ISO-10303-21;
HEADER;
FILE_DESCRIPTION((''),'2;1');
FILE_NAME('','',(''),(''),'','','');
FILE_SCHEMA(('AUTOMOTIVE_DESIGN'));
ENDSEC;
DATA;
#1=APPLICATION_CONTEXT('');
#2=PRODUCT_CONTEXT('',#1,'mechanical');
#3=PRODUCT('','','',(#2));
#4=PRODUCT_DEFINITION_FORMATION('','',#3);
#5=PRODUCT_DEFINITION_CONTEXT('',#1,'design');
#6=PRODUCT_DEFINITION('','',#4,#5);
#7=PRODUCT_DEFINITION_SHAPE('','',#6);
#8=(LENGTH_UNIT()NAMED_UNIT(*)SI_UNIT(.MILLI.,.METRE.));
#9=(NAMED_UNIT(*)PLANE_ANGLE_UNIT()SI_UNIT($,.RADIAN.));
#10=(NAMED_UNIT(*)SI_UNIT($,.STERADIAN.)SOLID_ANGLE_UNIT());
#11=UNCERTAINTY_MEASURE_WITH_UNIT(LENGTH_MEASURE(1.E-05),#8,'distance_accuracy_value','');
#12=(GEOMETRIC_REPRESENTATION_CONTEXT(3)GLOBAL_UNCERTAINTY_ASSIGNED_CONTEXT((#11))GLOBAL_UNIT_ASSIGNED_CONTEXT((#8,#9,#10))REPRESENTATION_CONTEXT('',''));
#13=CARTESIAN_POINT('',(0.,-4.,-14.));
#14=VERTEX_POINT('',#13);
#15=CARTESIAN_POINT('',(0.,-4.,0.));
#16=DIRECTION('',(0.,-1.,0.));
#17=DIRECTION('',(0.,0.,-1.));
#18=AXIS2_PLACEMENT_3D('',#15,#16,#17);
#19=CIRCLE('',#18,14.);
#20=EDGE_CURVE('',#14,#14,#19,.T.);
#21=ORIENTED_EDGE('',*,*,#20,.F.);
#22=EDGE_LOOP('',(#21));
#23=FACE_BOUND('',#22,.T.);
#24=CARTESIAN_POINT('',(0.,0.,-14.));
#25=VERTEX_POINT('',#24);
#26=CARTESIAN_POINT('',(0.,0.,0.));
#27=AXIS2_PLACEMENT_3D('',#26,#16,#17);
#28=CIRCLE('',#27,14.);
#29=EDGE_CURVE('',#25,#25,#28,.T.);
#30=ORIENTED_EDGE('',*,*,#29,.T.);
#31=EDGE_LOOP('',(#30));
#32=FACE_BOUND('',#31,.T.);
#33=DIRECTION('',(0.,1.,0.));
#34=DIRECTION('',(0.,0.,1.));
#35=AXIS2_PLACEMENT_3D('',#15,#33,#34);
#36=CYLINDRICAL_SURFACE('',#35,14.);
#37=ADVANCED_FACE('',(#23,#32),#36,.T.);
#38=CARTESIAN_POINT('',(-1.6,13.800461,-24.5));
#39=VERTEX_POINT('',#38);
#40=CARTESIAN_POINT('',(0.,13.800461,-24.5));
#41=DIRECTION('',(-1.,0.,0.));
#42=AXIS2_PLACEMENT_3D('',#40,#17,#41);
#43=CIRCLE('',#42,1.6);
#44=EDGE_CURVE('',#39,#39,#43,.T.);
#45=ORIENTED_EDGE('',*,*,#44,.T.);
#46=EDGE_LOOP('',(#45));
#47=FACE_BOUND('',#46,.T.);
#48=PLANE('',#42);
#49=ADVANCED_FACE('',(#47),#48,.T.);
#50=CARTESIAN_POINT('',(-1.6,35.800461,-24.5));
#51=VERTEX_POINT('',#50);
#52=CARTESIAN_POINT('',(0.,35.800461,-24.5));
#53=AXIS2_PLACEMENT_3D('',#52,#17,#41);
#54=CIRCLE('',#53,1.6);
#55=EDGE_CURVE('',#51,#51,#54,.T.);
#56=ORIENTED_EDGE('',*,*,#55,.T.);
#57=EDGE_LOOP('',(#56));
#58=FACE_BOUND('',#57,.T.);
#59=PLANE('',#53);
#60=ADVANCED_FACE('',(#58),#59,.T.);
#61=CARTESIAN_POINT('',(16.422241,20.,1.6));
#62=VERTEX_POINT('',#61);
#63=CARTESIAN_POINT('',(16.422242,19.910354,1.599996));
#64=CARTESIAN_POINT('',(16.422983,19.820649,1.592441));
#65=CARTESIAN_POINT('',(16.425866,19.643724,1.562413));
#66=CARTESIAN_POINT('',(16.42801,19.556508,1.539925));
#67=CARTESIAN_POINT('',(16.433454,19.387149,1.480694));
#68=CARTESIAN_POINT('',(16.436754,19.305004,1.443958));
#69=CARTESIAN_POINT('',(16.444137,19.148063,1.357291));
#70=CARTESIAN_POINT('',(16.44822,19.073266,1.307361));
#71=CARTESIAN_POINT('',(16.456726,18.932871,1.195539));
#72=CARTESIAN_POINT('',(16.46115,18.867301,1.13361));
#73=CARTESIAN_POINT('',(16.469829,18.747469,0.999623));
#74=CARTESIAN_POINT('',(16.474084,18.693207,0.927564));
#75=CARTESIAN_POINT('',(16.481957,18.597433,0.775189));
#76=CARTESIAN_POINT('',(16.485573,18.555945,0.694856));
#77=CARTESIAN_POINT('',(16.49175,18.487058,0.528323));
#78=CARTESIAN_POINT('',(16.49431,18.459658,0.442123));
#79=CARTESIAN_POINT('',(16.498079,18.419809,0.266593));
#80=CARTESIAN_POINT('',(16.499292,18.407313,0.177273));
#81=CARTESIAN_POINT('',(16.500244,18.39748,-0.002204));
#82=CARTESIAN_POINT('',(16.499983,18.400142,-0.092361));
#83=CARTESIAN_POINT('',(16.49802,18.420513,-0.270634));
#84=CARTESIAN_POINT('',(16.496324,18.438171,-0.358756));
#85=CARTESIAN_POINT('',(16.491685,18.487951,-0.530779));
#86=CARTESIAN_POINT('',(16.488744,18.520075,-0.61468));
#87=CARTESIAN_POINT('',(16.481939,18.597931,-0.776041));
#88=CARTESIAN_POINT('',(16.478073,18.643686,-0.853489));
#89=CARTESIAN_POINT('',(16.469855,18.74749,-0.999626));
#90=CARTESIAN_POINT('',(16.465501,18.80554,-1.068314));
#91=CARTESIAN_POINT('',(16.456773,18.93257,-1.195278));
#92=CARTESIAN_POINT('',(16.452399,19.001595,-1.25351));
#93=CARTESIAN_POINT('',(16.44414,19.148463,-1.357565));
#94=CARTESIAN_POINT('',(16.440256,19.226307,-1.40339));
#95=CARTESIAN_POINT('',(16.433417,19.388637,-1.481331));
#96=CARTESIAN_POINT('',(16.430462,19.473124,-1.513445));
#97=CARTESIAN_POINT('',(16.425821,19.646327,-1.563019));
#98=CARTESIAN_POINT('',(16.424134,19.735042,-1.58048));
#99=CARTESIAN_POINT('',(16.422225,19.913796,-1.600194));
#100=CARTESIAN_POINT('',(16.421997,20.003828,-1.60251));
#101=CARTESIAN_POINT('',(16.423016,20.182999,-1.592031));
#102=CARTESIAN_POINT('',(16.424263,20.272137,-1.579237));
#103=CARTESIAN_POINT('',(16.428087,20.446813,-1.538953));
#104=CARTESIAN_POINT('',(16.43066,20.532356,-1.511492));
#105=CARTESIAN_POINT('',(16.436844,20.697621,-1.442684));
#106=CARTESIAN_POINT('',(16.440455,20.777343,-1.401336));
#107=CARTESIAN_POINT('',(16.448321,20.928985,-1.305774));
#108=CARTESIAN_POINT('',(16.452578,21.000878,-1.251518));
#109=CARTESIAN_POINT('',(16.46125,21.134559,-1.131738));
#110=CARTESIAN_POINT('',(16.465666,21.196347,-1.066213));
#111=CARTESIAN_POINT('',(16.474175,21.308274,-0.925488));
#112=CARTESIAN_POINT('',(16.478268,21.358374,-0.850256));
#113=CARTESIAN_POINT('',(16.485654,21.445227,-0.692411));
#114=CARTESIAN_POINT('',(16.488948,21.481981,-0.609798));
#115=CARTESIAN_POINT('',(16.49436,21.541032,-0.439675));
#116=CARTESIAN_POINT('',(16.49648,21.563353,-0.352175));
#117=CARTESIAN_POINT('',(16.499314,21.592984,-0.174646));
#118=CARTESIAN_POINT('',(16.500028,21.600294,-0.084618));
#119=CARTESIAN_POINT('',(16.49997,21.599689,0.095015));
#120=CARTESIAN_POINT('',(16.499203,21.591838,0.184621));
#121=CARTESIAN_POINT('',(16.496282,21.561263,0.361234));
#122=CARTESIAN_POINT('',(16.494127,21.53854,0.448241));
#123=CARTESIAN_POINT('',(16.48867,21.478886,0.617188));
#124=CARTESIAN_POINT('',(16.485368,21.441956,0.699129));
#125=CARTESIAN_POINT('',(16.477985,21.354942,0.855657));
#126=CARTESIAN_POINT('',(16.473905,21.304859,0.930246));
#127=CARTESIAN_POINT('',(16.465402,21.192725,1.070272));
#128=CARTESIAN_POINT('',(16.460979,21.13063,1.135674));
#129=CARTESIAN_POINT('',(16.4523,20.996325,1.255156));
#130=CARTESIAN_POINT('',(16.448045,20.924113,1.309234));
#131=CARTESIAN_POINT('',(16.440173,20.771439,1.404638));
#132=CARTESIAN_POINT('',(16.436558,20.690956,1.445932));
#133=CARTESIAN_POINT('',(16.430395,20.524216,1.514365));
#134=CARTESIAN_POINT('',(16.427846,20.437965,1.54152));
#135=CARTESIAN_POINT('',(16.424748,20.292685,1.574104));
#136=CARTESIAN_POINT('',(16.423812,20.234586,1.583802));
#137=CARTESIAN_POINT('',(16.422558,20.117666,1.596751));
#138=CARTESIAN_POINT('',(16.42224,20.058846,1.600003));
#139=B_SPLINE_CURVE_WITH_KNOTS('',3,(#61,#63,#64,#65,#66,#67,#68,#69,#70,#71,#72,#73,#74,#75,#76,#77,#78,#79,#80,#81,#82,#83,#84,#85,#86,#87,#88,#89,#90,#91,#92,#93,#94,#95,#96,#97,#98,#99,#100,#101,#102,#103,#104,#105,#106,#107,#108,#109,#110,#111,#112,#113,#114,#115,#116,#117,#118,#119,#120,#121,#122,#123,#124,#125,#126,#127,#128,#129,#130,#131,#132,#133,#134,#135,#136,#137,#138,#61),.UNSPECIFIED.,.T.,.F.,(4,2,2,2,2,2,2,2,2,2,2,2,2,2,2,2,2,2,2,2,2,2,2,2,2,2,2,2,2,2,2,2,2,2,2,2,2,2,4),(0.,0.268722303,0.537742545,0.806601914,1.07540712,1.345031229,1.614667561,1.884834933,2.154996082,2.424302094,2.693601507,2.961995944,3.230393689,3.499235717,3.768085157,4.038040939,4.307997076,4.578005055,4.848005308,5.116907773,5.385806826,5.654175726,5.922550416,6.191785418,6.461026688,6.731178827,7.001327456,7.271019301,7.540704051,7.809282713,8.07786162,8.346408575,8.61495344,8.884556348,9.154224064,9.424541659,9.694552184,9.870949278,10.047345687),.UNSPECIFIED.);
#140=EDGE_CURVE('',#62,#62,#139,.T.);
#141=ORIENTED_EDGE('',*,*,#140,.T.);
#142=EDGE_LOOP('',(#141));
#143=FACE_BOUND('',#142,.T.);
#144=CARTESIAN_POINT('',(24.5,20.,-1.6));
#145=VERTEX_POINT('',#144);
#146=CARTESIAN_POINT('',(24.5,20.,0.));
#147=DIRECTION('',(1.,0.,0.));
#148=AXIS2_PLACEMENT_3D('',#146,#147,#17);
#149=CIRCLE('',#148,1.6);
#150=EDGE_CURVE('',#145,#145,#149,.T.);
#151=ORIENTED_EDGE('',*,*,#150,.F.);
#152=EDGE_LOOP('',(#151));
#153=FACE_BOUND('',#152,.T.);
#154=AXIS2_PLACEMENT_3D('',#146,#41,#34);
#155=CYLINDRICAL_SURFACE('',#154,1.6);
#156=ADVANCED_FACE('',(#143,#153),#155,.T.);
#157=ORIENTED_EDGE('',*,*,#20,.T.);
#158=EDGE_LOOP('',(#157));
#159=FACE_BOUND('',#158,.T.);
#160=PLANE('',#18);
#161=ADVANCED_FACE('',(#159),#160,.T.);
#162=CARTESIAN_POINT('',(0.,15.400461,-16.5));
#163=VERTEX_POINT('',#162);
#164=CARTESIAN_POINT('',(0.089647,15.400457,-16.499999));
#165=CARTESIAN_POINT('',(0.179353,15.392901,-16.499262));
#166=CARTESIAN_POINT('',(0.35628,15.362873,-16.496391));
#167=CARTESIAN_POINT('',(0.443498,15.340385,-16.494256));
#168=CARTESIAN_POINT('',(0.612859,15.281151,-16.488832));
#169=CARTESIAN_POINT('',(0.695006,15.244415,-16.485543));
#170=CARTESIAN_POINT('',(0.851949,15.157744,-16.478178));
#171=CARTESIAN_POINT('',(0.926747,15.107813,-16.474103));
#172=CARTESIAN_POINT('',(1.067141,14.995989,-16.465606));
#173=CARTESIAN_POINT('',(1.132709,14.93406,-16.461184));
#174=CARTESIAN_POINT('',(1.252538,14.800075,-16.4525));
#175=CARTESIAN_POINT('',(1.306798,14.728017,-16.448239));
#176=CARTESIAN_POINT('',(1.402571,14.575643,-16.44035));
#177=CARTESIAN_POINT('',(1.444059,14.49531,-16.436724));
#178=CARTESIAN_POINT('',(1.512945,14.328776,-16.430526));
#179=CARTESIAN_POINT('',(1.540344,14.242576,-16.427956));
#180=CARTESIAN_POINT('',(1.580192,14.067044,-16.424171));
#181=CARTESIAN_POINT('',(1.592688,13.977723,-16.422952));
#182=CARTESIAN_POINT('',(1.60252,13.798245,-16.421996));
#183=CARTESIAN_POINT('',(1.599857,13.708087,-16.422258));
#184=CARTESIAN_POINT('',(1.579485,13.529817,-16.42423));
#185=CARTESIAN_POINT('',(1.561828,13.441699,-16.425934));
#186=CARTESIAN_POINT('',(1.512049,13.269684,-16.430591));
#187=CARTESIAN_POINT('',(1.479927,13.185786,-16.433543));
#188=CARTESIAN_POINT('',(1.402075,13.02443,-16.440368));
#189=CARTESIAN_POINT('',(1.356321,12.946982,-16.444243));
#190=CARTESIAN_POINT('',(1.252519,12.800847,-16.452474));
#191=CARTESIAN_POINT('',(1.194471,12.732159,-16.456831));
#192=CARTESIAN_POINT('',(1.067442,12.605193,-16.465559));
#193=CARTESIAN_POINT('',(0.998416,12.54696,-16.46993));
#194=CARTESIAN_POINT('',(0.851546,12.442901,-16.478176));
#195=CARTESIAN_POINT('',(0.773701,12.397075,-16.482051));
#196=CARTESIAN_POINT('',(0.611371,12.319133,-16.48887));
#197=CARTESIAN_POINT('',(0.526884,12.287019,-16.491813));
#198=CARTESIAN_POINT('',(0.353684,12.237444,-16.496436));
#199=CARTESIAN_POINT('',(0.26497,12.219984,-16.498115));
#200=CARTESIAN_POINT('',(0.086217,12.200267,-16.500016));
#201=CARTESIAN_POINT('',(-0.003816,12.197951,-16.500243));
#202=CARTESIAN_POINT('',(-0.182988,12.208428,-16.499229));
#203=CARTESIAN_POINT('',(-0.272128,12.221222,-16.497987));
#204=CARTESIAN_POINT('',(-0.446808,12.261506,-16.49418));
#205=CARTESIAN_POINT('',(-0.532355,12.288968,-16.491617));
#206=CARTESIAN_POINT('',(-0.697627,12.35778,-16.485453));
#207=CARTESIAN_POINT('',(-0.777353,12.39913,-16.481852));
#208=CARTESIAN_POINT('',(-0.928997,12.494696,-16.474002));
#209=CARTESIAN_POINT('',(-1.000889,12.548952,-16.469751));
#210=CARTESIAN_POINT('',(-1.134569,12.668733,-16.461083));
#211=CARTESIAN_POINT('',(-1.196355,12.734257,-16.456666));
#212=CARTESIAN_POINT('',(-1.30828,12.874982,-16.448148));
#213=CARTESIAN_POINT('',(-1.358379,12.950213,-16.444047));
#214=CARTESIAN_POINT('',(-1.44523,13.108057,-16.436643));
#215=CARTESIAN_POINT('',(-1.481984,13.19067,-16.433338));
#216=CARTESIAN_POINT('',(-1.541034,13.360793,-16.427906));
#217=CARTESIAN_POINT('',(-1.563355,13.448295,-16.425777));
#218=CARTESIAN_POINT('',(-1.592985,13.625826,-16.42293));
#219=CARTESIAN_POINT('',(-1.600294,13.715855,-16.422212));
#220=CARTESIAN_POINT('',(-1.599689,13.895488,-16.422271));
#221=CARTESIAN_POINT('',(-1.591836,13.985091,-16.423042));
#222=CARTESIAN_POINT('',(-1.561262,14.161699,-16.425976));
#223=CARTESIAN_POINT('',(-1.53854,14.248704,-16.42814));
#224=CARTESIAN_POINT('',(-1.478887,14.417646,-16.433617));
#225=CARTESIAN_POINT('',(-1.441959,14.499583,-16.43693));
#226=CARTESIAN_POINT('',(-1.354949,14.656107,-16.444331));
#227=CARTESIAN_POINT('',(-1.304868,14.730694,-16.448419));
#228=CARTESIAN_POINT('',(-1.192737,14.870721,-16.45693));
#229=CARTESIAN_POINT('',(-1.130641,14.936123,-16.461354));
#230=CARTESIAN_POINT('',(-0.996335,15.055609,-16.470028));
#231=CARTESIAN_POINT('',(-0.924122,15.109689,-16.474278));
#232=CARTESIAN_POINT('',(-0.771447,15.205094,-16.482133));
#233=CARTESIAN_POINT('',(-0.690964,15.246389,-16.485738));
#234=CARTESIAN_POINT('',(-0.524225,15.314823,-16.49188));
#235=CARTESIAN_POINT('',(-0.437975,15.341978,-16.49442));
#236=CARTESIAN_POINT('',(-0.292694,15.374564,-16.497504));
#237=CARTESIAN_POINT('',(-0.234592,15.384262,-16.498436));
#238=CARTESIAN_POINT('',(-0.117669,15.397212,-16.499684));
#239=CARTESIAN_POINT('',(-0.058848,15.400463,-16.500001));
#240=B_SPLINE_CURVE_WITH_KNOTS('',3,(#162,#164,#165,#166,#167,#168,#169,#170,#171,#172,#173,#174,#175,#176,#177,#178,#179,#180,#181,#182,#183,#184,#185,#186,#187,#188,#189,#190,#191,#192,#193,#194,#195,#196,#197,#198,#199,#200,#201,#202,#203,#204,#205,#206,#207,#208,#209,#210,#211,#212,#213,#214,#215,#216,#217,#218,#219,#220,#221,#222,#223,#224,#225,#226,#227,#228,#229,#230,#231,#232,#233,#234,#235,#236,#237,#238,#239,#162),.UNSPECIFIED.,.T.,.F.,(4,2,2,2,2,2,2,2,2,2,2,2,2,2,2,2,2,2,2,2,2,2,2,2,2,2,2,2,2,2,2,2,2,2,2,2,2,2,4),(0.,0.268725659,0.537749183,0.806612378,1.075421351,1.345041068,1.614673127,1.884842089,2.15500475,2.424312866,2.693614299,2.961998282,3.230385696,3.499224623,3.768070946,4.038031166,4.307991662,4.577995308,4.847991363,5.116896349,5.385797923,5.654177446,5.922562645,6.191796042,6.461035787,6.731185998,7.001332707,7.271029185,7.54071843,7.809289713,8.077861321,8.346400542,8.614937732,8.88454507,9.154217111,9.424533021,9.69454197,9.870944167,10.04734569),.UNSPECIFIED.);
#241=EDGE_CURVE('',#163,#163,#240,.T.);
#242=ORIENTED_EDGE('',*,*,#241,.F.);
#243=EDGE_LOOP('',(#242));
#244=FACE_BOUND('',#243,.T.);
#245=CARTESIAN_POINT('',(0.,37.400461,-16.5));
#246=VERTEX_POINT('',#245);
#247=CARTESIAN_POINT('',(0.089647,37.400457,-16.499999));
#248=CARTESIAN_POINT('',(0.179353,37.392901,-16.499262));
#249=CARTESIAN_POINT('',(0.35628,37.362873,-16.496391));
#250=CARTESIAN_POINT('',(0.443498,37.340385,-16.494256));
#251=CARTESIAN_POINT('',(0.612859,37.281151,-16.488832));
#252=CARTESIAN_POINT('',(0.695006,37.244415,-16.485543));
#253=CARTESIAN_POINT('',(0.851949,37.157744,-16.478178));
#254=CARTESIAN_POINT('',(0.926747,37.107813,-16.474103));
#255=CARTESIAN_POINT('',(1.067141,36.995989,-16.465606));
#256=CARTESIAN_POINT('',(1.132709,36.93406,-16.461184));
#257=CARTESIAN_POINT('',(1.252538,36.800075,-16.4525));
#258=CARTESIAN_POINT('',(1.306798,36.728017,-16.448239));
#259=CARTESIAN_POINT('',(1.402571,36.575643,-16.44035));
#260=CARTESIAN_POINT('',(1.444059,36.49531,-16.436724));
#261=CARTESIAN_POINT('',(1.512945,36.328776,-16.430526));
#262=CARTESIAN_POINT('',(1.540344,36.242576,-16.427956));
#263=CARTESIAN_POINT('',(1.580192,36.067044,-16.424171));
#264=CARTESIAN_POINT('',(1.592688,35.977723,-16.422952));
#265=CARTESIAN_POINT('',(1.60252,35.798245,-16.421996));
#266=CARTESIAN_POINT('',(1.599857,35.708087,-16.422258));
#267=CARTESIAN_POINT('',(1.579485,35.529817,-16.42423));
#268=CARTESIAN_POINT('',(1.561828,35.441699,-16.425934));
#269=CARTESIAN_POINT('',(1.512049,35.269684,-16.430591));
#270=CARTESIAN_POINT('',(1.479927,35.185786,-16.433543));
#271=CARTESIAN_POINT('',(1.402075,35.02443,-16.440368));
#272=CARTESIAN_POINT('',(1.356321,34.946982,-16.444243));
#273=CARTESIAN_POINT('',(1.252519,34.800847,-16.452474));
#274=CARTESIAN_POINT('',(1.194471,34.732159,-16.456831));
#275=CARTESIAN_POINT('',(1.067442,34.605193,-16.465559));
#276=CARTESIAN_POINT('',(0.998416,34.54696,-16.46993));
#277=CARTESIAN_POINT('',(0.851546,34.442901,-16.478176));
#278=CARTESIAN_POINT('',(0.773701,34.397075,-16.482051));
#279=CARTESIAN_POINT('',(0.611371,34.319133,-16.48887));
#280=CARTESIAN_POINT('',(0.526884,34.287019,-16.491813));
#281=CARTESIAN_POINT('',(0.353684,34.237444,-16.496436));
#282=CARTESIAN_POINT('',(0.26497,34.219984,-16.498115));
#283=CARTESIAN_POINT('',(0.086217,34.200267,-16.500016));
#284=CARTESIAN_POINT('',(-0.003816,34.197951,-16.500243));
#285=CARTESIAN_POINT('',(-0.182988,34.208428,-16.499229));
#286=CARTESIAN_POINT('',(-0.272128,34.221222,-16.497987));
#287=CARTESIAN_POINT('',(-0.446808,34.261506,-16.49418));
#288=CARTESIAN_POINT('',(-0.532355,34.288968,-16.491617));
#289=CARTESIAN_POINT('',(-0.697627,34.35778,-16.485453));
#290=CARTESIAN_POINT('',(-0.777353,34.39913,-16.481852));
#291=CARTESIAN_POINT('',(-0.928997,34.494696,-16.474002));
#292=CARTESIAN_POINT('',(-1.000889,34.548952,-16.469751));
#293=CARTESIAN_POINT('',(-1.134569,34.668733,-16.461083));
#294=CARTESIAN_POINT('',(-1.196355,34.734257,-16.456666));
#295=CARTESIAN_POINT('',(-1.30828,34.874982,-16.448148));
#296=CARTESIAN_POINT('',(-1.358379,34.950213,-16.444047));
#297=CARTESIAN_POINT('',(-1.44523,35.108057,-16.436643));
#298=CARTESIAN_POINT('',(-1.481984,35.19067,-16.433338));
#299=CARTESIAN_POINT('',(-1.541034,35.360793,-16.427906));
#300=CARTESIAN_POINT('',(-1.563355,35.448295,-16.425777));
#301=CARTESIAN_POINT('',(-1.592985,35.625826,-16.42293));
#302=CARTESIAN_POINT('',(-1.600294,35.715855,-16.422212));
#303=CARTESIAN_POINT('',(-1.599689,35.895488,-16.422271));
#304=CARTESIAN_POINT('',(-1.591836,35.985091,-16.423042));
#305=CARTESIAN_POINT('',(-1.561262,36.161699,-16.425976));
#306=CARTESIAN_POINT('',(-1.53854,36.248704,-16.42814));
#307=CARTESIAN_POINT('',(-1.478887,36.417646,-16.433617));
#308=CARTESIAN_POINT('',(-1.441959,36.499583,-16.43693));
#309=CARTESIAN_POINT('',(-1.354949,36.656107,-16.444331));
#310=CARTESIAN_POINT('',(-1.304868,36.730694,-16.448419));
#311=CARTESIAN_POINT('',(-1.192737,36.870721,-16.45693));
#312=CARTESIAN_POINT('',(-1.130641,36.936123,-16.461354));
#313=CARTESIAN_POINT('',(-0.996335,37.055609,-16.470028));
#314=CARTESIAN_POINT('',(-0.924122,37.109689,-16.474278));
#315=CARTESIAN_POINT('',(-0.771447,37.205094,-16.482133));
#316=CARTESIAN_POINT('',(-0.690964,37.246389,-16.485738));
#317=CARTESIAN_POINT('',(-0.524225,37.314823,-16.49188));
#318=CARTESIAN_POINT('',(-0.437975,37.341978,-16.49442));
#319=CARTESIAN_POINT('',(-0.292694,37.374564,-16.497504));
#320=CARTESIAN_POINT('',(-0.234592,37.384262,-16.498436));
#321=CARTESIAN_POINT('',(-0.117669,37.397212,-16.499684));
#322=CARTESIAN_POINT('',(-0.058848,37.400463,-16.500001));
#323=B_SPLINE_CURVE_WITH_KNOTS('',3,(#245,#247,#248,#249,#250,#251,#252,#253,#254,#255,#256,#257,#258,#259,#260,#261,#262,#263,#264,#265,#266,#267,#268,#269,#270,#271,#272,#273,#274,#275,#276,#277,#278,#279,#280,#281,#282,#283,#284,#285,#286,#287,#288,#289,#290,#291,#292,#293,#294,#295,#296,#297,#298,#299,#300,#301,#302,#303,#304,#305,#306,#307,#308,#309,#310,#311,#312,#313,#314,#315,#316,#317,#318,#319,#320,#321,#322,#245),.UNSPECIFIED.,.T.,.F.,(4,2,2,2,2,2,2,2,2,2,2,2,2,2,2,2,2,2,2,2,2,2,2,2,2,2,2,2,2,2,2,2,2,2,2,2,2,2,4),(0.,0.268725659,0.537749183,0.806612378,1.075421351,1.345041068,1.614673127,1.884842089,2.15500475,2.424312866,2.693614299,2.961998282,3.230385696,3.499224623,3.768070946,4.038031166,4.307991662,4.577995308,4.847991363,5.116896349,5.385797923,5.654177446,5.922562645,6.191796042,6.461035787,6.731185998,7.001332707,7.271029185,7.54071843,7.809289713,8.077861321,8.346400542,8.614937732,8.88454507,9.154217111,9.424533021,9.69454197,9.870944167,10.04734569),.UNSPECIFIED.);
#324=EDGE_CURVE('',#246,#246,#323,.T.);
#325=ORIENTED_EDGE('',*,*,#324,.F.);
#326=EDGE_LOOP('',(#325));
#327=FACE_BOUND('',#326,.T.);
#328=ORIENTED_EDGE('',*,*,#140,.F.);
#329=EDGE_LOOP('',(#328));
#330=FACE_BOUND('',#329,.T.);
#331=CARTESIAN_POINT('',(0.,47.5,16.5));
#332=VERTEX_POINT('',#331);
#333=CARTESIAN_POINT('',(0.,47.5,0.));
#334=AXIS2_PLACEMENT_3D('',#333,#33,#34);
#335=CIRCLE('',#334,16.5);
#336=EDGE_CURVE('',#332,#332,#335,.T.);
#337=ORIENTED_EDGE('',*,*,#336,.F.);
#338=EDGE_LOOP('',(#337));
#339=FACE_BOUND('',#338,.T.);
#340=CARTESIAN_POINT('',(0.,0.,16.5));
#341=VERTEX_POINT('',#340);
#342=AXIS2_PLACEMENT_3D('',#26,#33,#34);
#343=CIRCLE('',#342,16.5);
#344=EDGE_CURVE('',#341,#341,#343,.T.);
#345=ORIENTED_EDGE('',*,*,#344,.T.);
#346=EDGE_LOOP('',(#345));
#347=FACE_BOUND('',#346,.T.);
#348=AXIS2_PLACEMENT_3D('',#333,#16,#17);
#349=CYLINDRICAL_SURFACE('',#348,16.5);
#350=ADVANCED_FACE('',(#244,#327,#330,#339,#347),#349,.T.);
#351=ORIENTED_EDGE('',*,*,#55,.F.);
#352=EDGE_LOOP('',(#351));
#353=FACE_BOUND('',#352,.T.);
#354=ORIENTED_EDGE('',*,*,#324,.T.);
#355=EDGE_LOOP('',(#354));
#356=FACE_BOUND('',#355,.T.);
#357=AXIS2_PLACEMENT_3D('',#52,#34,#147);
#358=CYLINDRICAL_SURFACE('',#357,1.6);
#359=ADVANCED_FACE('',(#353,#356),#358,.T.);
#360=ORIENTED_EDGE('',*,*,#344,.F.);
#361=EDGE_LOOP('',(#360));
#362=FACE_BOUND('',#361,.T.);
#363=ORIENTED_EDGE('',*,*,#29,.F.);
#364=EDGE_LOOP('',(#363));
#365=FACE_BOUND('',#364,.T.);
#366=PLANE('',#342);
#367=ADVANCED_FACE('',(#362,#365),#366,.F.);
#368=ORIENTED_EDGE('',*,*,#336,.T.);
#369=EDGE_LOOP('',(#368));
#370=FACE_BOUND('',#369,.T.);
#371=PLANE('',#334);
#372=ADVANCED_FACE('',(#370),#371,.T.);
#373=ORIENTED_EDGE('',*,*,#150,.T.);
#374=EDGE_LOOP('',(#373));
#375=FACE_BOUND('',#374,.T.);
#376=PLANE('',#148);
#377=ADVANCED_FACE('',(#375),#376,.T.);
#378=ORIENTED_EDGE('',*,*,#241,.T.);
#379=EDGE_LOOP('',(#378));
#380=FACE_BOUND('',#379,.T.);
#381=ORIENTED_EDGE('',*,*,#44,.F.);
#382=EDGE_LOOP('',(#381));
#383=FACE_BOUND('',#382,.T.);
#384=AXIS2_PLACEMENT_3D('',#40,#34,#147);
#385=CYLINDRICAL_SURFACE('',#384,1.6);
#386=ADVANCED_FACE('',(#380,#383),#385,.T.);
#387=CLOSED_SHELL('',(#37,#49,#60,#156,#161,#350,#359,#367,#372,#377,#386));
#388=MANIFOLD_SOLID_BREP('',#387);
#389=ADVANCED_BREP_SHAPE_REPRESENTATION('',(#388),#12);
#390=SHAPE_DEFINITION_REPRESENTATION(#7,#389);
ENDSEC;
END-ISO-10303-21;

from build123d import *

# Parameters (mm, degrees)
SKETCH1_R                = 16.5
BOSS_EXTRUDE1_DEPTH      = 47.5
SKETCH2_R                = 14
BOSS_EXTRUDE2_DEPTH      = 4
BOSS_EXTRUDE3_DEPTH      = 8
BOSS_EXTRUDE3_DEPTH_BACK = 1
SKETCH4_R                = 1.6
BOSS_EXTRUDE4_DEPTH      = 8
BOSS_EXTRUDE4_DEPTH_BACK = 1
SKETCH5_R                = 1.6


with BuildPart() as part:
    # Sketch1 → Boss-Extrude1 (new body)
    with BuildSketch(Plane(origin=(0, 0, 0), x_dir=(1, 0, 0), z_dir=(0, 1, 0))):
        Circle(SKETCH1_R)
    extrude(amount=BOSS_EXTRUDE1_DEPTH)

    # Sketch2 → Boss-Extrude2 (add)
    with BuildSketch(Plane.XZ):
        Circle(SKETCH2_R)
    extrude(amount=BOSS_EXTRUDE2_DEPTH)

    # Sketch4 → Boss-Extrude3 (add, two sides: drawn at the far end of the back side and taken through both)
    with BuildSketch(Plane(origin=(0, 0, -16.5), x_dir=(-1, 0, 0), z_dir=(0, 0, -1)).offset(-BOSS_EXTRUDE3_DEPTH_BACK)):
        with Locations((0, 35.800460913)):
            Circle(SKETCH4_R)
        with Locations((0, 13.800460913)):
            Circle(SKETCH4_R)
    extrude(amount=BOSS_EXTRUDE3_DEPTH + BOSS_EXTRUDE3_DEPTH_BACK)

    # Sketch5 → Boss-Extrude4 (add, two sides: drawn at the far end of the back side and taken through both)
    with BuildSketch(Plane(origin=(16.5, 0, 0), x_dir=(0, 0, -1), z_dir=(1, 0, 0)).offset(-BOSS_EXTRUDE4_DEPTH_BACK)):
        with Locations((0, 20)):
            Circle(SKETCH5_R)
    extrude(amount=BOSS_EXTRUDE4_DEPTH + BOSS_EXTRUDE4_DEPTH_BACK)


solid = part.part
